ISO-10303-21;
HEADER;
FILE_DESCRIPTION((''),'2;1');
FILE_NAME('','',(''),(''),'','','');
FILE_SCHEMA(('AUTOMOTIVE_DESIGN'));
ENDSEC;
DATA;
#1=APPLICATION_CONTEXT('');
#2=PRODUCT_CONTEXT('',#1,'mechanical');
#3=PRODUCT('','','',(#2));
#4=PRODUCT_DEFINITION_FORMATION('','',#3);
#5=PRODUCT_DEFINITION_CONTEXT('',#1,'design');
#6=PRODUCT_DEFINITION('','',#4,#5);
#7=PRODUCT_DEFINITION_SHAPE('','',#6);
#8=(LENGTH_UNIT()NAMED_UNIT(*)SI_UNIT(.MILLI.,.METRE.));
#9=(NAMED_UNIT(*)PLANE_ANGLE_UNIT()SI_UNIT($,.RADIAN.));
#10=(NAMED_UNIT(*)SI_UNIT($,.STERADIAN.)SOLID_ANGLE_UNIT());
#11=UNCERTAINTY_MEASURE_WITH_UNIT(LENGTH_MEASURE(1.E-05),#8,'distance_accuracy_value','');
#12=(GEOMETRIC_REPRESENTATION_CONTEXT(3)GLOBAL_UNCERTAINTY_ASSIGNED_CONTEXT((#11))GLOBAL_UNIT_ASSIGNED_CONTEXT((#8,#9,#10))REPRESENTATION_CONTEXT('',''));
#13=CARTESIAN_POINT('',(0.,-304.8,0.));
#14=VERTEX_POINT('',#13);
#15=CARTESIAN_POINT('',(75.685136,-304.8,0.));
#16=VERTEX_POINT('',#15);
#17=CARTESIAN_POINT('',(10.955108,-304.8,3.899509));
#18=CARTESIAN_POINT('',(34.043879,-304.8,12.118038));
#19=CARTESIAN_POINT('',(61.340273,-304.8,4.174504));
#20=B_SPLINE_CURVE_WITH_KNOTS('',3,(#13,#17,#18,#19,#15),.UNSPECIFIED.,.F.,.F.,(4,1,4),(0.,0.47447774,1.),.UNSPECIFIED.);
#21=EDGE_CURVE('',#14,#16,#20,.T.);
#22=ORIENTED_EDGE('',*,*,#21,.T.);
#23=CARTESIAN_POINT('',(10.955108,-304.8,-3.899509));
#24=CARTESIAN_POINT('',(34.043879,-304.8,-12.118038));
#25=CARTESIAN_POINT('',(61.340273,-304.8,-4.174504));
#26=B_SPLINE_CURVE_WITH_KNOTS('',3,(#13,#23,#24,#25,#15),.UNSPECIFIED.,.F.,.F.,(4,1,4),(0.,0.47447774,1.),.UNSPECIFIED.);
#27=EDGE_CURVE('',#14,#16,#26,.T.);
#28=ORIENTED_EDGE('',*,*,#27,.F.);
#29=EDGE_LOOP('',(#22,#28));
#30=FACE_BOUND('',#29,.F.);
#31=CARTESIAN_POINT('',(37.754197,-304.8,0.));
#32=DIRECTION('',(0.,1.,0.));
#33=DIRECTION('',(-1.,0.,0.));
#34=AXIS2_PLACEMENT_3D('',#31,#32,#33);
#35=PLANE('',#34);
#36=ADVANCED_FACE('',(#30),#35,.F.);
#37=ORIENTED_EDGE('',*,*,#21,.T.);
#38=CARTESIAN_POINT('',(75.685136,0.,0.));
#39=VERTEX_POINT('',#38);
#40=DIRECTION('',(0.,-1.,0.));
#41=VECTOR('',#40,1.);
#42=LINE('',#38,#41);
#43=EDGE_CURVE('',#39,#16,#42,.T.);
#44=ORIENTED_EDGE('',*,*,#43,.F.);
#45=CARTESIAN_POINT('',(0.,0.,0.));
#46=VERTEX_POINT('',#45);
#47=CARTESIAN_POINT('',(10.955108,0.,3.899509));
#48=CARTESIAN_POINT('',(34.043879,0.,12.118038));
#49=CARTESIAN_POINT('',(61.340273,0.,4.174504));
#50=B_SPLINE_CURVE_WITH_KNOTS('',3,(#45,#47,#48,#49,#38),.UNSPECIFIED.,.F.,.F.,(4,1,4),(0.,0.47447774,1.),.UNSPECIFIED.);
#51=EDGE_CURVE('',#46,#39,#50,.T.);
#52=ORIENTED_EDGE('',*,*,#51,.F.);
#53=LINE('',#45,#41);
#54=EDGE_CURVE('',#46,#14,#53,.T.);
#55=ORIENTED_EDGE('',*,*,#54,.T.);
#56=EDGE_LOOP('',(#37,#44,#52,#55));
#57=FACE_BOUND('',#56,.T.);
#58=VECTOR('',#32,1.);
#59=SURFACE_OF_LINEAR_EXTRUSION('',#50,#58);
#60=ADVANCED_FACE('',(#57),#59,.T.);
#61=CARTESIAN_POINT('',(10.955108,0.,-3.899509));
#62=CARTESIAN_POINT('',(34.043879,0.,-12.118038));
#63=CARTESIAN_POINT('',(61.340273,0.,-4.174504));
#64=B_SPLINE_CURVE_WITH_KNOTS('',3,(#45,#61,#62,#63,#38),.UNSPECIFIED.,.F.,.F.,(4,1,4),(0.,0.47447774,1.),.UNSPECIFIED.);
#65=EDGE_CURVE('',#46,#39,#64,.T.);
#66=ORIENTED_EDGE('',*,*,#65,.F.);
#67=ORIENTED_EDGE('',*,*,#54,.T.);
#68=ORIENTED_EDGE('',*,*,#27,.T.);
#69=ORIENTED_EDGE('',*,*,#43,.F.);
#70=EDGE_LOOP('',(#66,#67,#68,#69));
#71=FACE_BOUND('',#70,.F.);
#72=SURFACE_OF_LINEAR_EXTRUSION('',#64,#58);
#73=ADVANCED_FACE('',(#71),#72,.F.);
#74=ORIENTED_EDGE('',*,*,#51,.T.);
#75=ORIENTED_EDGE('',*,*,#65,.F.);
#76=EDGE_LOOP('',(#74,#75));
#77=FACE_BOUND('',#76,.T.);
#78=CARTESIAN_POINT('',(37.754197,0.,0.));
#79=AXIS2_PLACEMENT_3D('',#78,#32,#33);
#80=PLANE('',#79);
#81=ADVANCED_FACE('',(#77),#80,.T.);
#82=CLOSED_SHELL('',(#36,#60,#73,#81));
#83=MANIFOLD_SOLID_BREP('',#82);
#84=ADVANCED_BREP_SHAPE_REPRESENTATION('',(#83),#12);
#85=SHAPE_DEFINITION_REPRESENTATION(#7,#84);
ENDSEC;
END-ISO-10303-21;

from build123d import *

# Parameters (mm, degrees)
F1_DEPTH = 304.8


with BuildPart() as f1:
    # F0 (on Front) → F1 (new body)
    with BuildSketch(Plane.XZ):
        with BuildLine():
            add(Edge.make_bspline(
                [(0, 0), (10.9551080188, 3.8995088858), (34.0438792935, 12.1180375021), (61.340273338, 4.1745037881), (75.6851360202, 0)],
                knots=[0, 0, 0, 0, 0.4744777402, 1, 1, 1, 1], degree=3))
            add(Edge.make_bspline(
                [(0, 0), (10.9551080188, -3.8995088858), (34.0438792935, -12.1180375021), (61.340273338, -4.1745037881), (75.6851360202, 0)],
                knots=[0, 0, 0, 0, 0.4744777402, 1, 1, 1, 1], degree=3))
        make_face()
    extrude(amount=F1_DEPTH)


solid = f1.part
